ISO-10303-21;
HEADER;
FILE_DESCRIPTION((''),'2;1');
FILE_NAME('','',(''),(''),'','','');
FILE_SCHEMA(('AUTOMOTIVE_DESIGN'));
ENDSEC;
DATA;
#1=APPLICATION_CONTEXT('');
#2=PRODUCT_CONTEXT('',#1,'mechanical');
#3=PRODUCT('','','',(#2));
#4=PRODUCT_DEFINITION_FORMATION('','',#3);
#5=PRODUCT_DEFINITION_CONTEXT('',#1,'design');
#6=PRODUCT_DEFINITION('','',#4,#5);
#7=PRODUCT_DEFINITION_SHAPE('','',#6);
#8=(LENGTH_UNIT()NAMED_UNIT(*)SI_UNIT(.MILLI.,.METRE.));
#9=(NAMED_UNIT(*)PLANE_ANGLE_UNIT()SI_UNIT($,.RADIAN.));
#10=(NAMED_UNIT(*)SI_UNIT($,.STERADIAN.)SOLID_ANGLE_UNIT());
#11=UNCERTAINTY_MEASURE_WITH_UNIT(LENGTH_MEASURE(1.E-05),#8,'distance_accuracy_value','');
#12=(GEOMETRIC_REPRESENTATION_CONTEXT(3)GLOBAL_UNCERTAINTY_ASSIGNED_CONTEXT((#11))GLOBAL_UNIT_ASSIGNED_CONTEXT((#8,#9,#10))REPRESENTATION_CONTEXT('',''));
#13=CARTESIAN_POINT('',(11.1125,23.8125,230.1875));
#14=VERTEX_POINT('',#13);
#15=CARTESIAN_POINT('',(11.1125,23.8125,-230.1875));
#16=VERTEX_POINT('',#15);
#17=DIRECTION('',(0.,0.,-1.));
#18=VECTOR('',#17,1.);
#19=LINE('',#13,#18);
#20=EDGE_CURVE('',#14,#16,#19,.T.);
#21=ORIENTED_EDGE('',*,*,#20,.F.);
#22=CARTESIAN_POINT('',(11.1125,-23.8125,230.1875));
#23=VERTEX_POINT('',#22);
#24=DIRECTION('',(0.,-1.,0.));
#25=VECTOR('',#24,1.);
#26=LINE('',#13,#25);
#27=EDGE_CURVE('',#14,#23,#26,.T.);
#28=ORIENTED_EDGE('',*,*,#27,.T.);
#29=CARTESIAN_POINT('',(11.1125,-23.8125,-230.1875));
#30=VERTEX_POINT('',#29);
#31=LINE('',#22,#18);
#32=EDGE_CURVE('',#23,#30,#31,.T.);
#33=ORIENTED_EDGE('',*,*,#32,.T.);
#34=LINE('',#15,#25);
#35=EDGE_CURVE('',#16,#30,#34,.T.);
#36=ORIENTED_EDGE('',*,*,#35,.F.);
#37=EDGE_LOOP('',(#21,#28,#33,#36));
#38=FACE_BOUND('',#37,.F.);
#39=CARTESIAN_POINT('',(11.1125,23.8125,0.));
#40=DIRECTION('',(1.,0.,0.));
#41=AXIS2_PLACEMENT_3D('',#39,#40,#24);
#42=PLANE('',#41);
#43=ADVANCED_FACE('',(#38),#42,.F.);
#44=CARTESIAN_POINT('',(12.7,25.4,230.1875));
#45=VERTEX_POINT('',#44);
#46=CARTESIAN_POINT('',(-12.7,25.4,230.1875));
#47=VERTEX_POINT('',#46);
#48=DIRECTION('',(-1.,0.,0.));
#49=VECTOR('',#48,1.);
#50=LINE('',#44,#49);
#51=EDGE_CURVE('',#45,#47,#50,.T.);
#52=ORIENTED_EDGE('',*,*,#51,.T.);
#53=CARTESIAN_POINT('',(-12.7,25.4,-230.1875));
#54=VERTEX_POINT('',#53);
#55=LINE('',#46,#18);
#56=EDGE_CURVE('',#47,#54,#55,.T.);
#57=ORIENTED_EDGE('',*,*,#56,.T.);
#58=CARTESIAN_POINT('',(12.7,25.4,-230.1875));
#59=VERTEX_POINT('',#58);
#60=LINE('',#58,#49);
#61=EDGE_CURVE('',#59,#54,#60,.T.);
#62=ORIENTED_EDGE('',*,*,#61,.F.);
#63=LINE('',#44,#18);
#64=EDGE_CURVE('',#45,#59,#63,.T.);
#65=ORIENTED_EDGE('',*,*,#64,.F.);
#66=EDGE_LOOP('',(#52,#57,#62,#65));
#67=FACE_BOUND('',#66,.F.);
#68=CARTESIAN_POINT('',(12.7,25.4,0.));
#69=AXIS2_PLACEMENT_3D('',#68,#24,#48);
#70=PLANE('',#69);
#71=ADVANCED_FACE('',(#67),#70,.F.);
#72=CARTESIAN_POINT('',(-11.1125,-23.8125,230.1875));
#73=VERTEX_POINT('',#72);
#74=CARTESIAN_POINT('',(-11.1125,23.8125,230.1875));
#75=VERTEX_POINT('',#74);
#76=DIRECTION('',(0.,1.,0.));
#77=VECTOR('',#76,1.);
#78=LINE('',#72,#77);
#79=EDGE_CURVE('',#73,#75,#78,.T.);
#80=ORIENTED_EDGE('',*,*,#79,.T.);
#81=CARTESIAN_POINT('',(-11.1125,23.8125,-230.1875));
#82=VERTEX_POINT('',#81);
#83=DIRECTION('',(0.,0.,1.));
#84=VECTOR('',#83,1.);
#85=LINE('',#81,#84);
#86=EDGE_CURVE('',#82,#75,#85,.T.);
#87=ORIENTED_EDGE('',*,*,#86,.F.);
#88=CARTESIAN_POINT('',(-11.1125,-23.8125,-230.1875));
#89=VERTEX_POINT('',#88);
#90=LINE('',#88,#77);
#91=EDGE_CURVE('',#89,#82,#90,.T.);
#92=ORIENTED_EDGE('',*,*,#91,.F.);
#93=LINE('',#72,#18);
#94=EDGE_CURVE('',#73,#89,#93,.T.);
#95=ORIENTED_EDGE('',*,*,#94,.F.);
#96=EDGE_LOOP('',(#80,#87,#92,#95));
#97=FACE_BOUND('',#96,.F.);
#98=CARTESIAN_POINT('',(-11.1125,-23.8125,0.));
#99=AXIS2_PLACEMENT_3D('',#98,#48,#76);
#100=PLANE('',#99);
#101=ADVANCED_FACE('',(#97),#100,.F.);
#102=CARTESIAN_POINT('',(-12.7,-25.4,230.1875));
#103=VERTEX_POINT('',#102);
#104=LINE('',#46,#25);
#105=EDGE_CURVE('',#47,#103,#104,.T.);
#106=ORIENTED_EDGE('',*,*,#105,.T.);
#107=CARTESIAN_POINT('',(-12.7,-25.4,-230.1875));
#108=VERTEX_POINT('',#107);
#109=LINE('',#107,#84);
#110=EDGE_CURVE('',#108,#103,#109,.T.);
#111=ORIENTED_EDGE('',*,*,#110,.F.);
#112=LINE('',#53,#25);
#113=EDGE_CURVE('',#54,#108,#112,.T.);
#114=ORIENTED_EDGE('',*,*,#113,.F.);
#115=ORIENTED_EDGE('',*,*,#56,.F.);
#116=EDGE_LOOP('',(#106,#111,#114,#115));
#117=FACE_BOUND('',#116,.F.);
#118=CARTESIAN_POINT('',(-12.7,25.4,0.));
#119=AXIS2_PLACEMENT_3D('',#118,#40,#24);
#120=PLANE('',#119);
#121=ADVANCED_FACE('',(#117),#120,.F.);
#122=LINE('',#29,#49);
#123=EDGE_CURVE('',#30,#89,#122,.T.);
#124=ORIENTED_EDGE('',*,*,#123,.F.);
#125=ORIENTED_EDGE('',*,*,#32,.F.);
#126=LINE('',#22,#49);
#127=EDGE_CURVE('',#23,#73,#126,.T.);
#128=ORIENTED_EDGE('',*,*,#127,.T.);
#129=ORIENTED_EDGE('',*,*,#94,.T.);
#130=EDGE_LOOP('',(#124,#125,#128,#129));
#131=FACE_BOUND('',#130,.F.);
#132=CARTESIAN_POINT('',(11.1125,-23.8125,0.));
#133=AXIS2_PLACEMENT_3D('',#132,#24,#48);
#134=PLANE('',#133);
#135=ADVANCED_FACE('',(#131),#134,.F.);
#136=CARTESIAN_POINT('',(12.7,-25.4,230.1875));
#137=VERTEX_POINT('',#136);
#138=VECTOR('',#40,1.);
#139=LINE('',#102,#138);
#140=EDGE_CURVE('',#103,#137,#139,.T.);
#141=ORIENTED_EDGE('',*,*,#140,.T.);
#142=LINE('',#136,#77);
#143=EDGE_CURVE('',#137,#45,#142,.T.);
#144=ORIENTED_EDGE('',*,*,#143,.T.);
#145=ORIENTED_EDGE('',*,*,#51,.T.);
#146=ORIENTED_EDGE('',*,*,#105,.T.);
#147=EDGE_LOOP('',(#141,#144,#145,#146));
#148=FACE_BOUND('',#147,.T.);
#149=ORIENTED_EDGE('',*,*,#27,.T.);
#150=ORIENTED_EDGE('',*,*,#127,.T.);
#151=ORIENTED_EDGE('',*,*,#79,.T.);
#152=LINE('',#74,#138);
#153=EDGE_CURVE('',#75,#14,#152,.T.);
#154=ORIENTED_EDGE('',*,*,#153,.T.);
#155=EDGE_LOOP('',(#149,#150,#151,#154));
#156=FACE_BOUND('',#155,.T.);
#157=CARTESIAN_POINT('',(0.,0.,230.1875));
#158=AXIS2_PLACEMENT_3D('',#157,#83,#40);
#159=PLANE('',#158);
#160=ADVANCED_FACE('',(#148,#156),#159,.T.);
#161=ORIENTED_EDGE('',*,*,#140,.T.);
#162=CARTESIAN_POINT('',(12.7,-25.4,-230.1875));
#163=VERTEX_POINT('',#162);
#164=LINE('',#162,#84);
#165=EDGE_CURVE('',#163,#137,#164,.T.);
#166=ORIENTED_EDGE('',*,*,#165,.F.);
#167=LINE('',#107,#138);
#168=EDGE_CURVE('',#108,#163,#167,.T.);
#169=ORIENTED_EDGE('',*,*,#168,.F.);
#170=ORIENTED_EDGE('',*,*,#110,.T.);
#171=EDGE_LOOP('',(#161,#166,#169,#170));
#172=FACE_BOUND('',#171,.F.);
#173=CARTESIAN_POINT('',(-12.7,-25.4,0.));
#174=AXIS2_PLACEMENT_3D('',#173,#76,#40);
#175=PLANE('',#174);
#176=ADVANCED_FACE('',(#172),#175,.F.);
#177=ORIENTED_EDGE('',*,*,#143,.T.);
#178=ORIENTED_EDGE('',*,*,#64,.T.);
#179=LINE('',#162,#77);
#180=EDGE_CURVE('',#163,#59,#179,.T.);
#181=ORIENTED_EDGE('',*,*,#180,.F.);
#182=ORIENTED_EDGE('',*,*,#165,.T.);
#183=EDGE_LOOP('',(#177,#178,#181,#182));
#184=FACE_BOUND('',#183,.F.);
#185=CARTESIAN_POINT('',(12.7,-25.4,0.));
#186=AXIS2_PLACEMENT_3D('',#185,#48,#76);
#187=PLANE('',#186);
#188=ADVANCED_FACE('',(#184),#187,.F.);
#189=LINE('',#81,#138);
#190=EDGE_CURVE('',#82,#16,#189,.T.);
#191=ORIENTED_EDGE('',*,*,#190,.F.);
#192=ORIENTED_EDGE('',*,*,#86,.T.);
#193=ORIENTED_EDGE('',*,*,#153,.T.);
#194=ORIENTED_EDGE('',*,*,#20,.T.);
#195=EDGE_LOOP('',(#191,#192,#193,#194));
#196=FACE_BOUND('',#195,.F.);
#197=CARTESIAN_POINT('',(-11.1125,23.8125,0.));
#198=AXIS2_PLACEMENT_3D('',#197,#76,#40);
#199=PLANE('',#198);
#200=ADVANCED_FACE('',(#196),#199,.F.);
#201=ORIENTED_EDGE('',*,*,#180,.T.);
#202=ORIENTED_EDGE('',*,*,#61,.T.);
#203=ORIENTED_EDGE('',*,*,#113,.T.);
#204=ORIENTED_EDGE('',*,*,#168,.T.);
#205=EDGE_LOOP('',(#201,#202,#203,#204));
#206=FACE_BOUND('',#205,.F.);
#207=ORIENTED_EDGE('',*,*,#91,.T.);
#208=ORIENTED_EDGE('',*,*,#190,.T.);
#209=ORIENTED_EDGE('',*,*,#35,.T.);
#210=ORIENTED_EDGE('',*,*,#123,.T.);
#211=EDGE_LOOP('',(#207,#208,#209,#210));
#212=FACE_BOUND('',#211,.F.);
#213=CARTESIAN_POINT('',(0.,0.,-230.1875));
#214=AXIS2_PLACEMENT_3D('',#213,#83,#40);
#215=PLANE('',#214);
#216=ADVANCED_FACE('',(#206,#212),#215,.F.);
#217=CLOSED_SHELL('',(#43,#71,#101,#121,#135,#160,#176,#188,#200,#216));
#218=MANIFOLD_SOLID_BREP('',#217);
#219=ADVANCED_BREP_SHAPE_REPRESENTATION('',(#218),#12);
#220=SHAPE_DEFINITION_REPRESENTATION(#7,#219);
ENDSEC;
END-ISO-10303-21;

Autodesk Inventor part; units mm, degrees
ref_plane "YZ Plane" through (0, 0, 0) normal (1, 0, 0) x (0, 1, 0)
ref_plane "XZ Plane" through (0, 0, 0) normal (0, 1, 0) x (-1, 0, 0)
ref_plane "XY Plane" through (0, 0, 0) normal (0, 0, 1) x (1, 0, 0)
sketch "Sketch1" plane through (0, 0, 0) normal (0, 0, 1) x (1, 0, 0)
  line L0 (-12.7, -25.4) -> (12.7, -25.4)
  line L1 (12.7, -25.4) -> (12.7, 25.4)
  line L2 (12.7, 25.4) -> (-12.7, 25.4)
  line L3 (-12.7, 25.4) -> (-12.7, -25.4)
  line L4 (-12.7, -25.4) -> (12.7, 25.4) construction
  line L5 (12.7, -25.4) -> (-12.7, 25.4) construction
  line L6 (-11.1125, 23.8125) -> (11.1125, 23.8125)
  line L7 (11.1125, 23.8125) -> (11.1125, -23.8125)
  line L8 (11.1125, -23.8125) -> (-11.1125, -23.8125)
  line L9 (-11.1125, -23.8125) -> (-11.1125, 23.8125)
  point P0 (0, 0)
  dimension "width" = 25.4
  dimension "height" = 50.8
  dimension "thickness" = 1.5875
extrude "Extrusion1" add sketch "Sketch1" along normal mid plane 460.375
properties part number "MU-001" material "Aluminum 6061"
